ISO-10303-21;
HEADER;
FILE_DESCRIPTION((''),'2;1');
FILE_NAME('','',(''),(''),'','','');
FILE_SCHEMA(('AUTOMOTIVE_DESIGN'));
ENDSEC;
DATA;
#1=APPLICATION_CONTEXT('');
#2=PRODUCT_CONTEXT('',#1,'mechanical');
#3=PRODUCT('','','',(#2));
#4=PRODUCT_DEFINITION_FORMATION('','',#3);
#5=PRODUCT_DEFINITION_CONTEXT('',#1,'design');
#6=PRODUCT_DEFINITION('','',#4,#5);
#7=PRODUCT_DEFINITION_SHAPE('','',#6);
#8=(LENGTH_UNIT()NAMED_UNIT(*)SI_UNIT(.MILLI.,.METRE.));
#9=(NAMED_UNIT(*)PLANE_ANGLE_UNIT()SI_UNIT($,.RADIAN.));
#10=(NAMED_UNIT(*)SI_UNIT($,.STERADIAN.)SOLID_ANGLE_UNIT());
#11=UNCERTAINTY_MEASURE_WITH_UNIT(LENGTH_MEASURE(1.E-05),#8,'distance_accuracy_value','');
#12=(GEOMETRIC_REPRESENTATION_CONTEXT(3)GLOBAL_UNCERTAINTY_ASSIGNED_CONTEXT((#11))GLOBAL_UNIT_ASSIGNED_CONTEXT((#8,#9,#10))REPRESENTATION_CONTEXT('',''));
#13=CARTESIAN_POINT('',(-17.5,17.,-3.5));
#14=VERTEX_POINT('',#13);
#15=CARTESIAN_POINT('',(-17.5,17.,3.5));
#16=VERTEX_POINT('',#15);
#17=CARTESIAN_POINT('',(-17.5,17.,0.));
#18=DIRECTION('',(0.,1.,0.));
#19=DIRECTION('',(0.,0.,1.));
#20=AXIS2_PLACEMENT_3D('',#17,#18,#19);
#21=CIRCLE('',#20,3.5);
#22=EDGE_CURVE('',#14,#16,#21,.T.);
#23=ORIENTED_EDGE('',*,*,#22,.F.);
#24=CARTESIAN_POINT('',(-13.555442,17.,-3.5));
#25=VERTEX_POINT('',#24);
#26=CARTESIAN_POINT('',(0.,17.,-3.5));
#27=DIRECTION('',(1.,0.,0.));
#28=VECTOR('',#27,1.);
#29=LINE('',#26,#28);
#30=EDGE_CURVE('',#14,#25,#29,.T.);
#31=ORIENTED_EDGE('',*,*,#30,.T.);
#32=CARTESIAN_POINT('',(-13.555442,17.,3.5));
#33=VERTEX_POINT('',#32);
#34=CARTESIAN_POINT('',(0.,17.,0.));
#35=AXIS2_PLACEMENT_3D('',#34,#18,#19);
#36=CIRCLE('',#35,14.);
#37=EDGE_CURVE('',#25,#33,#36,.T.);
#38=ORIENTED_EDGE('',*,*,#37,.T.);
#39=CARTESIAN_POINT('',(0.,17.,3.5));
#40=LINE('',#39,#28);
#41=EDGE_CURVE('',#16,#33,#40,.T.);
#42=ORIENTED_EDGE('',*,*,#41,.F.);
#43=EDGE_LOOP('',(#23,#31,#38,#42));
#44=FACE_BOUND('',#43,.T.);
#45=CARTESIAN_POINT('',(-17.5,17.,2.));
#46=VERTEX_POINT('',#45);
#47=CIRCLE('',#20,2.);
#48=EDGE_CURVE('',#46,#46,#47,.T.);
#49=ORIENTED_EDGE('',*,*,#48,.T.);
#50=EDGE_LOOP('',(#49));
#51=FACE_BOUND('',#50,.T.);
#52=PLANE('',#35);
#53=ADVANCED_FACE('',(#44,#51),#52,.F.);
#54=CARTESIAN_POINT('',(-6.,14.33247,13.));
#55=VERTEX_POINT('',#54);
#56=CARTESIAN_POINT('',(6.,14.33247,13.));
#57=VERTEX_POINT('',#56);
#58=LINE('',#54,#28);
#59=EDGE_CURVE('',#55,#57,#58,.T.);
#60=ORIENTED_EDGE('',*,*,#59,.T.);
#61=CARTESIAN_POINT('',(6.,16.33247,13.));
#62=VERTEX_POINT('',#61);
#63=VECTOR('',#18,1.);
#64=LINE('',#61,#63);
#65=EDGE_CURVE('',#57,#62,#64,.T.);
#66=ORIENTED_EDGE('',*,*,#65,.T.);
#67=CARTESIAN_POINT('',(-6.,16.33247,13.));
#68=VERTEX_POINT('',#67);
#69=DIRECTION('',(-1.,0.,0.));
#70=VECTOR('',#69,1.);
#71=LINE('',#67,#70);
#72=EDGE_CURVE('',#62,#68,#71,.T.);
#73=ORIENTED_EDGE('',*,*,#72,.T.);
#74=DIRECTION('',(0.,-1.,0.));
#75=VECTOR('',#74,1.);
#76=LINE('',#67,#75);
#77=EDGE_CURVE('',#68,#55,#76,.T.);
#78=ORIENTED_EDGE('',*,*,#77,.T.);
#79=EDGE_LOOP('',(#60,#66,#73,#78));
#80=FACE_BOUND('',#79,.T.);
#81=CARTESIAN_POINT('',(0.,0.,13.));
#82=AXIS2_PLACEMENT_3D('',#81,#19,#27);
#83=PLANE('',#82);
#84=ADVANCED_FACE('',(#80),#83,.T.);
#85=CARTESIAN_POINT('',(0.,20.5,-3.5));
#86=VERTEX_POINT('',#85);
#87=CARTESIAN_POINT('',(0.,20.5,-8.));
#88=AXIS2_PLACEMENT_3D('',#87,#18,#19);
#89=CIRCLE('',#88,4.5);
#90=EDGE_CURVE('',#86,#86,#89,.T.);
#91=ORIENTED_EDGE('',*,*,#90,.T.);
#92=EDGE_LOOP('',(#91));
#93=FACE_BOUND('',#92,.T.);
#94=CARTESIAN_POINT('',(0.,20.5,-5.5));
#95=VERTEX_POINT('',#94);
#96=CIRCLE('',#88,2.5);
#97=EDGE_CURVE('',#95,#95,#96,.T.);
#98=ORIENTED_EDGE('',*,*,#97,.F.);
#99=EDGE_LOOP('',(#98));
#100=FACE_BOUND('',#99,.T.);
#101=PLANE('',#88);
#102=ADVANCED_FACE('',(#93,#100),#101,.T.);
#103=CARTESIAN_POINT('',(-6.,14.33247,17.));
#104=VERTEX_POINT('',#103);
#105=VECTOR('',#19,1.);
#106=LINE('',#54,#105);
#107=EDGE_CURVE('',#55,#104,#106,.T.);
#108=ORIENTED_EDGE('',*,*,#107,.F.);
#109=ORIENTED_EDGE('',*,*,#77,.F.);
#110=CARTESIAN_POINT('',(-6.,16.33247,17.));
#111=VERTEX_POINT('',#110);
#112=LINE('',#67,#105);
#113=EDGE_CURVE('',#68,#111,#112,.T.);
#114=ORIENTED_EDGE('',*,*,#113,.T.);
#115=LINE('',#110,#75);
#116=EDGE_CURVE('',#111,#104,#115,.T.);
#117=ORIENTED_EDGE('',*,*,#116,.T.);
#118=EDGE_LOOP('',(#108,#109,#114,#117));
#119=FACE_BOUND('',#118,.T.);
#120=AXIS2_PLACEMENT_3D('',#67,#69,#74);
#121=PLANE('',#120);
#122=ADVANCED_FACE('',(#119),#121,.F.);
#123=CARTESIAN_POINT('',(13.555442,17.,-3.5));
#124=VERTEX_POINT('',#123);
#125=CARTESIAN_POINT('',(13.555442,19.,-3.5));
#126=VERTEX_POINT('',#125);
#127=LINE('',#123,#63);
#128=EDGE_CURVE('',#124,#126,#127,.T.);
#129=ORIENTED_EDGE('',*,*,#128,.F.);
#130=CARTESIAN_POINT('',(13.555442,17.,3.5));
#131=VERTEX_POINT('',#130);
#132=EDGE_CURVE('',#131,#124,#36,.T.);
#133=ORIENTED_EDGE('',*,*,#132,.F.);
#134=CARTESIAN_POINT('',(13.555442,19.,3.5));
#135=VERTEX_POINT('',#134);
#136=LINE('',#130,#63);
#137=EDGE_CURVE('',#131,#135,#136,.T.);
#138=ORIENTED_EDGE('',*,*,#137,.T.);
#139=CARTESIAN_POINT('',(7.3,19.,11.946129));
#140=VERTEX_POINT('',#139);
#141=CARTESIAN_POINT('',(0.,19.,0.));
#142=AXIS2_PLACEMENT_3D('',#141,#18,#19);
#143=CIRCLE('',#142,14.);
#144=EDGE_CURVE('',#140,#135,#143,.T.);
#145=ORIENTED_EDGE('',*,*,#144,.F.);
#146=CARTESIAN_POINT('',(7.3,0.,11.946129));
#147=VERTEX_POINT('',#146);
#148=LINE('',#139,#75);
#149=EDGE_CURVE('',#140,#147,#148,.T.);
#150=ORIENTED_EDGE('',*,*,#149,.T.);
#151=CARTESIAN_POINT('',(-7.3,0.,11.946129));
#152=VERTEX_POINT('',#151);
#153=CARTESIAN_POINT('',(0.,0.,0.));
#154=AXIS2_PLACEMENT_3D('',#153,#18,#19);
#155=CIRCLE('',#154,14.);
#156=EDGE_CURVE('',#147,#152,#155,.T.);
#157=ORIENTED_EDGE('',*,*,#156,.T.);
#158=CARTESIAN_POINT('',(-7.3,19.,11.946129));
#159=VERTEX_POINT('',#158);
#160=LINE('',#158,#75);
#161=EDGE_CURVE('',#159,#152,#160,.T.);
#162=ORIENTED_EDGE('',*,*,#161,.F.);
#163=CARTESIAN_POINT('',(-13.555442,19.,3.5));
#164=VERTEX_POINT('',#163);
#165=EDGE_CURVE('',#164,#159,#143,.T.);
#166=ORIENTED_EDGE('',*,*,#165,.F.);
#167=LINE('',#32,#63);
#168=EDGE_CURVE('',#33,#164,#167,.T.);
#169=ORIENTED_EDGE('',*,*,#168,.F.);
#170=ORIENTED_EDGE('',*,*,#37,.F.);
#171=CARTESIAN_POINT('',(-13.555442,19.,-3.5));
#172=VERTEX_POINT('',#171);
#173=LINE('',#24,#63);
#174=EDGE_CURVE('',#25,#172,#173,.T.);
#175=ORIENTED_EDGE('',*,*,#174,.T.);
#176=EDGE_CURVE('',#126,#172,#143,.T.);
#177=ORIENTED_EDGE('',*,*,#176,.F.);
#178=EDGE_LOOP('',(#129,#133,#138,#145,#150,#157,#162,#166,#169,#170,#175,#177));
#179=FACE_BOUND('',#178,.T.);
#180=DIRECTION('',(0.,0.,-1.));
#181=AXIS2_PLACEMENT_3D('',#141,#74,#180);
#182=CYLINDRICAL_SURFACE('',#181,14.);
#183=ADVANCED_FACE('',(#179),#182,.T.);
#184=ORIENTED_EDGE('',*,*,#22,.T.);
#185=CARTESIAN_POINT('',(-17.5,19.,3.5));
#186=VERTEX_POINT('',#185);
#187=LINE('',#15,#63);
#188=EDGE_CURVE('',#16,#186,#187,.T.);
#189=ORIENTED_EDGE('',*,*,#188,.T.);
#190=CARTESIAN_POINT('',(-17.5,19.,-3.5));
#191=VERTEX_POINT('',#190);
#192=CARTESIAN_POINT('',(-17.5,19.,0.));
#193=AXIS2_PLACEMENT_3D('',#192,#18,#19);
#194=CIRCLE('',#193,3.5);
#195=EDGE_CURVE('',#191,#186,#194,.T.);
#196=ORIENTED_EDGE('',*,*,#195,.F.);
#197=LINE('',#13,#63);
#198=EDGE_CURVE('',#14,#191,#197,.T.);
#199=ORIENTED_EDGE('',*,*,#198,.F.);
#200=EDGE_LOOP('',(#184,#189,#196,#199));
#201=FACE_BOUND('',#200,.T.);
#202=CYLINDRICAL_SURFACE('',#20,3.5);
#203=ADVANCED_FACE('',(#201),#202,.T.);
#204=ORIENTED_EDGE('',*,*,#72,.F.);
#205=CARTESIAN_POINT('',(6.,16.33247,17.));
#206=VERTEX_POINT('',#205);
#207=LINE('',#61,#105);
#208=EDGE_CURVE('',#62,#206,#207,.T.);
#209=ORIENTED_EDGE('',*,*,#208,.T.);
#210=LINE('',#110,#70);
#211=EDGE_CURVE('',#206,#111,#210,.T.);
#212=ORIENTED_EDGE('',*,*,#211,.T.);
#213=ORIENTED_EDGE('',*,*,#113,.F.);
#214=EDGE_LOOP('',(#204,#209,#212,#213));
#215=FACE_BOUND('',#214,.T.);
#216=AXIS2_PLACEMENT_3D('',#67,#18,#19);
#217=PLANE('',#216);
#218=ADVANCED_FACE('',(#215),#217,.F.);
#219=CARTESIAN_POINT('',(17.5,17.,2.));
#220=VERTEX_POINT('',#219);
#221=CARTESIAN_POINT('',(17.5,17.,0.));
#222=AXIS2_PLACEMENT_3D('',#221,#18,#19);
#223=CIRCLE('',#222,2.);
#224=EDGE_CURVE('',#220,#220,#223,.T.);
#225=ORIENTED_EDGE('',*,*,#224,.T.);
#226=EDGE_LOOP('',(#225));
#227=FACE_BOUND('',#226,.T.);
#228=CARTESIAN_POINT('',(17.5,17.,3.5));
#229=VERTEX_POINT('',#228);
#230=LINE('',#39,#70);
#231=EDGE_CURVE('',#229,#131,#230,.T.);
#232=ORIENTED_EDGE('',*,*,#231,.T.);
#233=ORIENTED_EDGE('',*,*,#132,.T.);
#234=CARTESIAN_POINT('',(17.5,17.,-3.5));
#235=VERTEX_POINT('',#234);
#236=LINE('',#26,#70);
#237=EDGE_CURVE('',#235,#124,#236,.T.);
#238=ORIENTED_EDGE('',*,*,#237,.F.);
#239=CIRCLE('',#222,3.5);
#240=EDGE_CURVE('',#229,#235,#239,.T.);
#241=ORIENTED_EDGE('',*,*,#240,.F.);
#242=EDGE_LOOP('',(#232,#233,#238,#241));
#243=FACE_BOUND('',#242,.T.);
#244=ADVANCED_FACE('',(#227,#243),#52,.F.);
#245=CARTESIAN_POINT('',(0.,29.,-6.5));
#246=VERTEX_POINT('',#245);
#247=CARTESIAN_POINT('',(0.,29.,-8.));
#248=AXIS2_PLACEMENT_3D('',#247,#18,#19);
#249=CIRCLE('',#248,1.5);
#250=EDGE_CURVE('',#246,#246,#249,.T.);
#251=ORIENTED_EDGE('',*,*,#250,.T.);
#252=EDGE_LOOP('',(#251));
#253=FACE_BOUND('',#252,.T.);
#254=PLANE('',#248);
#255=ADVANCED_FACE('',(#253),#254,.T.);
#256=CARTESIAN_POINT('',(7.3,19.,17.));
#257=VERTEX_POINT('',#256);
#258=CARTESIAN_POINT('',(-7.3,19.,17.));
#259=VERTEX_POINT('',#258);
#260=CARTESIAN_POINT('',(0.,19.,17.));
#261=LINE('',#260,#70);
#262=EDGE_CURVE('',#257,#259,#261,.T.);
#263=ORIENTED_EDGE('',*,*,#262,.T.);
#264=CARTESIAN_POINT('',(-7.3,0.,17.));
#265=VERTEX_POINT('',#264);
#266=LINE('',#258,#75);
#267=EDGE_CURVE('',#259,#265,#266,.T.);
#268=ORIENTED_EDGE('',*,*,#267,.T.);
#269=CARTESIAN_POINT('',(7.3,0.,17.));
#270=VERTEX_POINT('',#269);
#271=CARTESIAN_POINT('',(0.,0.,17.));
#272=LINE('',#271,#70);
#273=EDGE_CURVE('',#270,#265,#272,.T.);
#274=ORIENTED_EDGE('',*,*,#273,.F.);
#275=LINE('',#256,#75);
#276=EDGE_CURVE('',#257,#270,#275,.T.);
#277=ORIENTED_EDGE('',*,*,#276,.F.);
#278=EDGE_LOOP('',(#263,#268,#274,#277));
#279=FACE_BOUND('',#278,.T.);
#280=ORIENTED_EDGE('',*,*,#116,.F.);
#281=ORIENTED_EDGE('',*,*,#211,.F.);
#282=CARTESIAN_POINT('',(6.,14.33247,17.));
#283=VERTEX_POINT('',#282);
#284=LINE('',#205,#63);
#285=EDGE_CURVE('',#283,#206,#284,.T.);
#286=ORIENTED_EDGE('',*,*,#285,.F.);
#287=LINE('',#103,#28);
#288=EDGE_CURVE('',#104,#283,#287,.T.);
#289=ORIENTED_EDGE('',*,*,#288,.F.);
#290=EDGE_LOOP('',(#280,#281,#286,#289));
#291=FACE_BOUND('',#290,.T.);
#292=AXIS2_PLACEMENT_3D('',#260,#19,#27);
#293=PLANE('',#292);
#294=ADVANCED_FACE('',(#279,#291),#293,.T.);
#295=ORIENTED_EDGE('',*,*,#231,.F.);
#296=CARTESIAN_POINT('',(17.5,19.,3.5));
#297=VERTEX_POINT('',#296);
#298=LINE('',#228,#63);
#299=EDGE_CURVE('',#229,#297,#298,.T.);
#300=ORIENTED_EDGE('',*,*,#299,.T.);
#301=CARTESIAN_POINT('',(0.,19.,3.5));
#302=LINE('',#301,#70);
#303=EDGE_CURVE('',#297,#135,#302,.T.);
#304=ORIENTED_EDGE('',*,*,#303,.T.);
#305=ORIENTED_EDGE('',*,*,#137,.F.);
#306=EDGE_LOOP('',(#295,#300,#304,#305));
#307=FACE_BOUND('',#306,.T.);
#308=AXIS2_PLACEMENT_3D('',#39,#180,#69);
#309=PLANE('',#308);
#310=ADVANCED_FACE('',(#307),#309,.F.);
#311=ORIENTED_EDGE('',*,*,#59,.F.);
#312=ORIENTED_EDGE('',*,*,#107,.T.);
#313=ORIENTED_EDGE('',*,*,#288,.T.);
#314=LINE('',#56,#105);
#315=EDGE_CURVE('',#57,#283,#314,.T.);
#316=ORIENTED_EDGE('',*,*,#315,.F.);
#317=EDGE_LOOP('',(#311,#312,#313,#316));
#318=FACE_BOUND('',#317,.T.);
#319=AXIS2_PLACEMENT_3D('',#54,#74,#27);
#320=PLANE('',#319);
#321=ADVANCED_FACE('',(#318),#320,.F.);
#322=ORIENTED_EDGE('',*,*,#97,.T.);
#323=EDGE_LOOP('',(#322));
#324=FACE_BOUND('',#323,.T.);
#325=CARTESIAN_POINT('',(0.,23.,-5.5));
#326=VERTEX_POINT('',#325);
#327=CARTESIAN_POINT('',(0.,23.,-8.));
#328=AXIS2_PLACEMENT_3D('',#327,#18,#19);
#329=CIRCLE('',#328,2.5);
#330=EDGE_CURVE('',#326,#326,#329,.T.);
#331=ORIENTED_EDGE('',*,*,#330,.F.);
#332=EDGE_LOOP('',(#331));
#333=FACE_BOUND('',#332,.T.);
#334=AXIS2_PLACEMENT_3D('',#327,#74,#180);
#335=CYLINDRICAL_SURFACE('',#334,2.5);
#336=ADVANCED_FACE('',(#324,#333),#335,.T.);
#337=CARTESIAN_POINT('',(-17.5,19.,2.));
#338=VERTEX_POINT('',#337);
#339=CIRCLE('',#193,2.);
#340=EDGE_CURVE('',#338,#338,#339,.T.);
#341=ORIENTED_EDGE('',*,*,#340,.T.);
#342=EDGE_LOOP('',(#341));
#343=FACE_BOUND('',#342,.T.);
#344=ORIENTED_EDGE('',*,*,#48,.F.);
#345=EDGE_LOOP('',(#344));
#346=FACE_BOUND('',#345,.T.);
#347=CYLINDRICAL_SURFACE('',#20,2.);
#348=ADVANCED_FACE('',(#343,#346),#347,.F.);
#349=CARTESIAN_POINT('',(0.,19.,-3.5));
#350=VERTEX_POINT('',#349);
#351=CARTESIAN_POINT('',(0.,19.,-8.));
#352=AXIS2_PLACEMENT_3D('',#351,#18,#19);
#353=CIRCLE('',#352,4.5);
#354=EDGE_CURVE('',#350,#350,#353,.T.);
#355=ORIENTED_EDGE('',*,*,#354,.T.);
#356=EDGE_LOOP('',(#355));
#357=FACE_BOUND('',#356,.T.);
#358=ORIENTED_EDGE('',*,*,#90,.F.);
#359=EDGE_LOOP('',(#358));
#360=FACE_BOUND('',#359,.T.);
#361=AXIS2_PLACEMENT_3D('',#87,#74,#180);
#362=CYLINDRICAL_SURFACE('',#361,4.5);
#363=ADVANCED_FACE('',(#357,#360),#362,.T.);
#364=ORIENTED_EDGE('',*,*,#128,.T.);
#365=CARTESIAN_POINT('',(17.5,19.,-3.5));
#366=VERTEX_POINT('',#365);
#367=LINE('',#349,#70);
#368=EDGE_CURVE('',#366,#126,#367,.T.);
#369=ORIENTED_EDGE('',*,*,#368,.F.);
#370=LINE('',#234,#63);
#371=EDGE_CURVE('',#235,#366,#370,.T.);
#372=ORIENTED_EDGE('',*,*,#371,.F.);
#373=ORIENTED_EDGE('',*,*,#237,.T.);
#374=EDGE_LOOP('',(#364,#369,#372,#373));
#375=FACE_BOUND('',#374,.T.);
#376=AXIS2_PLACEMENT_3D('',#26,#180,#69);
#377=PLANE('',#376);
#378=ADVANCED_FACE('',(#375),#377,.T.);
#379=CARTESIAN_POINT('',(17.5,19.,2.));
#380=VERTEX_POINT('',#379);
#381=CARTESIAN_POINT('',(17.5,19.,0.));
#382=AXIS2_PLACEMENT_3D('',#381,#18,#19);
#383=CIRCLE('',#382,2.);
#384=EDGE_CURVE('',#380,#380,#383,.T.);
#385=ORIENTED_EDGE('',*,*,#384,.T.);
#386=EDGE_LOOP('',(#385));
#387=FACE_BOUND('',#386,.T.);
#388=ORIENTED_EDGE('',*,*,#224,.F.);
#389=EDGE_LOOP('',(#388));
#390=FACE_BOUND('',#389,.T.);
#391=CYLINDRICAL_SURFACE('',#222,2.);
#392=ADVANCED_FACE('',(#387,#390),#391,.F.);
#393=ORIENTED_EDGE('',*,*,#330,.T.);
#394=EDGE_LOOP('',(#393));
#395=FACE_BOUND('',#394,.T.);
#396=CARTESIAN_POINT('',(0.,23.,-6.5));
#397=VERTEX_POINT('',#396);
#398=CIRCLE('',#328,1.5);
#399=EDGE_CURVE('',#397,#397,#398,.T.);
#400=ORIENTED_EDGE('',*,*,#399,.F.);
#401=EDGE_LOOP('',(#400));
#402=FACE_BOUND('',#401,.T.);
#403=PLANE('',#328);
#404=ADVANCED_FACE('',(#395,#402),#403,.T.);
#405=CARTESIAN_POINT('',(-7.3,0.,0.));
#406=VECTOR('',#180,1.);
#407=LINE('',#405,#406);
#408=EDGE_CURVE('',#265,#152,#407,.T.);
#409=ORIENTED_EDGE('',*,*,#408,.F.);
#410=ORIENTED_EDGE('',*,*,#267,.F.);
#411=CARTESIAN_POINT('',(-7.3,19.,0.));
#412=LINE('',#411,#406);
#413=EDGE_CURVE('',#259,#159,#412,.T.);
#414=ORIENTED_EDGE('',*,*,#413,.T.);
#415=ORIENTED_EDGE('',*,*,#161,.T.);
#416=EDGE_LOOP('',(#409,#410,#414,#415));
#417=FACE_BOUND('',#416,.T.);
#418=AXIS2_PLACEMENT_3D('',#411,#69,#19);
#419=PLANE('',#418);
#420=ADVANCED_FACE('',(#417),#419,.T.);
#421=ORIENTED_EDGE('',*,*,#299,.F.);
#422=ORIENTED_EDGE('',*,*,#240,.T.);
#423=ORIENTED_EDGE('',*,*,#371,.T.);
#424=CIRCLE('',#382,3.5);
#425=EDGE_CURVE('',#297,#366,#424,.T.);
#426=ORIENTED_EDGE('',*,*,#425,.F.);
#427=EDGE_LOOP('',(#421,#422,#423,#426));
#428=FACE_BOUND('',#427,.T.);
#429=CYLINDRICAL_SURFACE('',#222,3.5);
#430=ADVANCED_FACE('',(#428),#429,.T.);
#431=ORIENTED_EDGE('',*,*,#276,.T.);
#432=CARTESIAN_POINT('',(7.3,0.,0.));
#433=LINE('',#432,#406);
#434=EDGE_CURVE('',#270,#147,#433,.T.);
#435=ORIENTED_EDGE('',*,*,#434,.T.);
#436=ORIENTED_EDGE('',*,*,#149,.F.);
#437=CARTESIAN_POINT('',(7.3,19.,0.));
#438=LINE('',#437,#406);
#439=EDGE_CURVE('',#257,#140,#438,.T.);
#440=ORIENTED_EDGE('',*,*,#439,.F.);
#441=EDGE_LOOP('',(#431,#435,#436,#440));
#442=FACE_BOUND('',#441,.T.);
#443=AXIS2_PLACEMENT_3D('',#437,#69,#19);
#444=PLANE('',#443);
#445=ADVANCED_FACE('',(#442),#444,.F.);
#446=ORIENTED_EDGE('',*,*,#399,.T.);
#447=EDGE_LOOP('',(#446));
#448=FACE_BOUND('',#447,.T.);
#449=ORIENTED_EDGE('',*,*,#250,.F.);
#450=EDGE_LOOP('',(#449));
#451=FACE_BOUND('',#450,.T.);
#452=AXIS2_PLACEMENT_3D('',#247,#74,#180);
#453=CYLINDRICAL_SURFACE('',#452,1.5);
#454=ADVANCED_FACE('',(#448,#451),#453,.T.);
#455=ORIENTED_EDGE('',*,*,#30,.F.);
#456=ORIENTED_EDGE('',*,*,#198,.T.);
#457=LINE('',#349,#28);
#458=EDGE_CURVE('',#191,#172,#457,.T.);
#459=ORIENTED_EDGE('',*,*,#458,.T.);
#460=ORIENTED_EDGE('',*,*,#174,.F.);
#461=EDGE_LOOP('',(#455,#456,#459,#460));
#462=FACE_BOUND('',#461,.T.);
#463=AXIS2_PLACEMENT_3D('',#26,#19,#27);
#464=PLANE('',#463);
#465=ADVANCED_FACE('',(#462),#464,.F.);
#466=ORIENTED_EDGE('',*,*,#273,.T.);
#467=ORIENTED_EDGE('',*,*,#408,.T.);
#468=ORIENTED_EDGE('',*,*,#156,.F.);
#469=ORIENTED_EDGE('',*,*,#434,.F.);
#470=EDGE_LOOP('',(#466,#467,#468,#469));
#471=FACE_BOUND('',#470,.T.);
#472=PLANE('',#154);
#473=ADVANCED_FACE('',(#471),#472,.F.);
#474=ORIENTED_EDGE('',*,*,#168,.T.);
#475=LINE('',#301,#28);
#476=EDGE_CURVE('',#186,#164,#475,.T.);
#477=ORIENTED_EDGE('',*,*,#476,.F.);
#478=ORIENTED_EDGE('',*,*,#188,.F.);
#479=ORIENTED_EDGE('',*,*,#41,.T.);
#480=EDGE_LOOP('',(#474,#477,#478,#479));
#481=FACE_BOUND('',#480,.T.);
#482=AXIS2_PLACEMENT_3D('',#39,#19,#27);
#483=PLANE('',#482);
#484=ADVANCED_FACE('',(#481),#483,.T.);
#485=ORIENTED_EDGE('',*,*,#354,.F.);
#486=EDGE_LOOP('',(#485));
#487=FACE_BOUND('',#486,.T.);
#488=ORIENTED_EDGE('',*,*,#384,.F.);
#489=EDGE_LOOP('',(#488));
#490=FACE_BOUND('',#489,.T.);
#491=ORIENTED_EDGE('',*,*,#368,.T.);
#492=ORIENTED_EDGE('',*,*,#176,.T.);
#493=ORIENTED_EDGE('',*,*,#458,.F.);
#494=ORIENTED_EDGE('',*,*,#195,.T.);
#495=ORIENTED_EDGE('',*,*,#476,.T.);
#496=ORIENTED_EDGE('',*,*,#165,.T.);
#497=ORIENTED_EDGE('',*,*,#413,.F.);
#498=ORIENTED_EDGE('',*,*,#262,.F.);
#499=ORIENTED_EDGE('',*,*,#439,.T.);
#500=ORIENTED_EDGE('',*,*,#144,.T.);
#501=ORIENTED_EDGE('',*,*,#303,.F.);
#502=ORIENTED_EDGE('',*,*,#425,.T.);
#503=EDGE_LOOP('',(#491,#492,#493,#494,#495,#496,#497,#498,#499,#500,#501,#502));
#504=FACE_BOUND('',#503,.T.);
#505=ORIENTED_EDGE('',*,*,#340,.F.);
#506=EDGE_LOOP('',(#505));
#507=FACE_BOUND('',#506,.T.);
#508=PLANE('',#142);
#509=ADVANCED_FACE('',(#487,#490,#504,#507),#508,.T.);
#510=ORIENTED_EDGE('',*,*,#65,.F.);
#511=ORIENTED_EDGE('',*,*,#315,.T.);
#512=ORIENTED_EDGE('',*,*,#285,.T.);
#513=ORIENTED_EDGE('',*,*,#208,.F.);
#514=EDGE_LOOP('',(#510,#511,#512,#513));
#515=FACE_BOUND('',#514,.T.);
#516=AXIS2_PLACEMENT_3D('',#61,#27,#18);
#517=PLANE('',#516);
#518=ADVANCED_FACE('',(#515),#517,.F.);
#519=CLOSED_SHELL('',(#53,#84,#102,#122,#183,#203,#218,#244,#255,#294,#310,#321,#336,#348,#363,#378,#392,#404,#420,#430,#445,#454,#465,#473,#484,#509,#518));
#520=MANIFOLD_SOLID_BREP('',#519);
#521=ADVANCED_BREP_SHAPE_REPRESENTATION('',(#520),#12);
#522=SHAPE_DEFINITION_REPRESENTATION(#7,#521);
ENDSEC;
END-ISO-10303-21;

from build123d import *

# Parameters (mm, degrees)
SKETCH1_R           = 14
BOSS_EXTRUDE1_DEPTH = 19
BOSS_EXTRUDE2_START = -2
SKETCH4_R           = 2
BOSS_EXTRUDE2_DEPTH = 2
SKETCH5_R           = 4.5
BOSS_EXTRUDE3_DEPTH = 1.5
SKETCH6_R           = 2.5
BOSS_EXTRUDE4_DEPTH = 2.5
SKETCH7_R           = 1.5
BOSS_EXTRUDE5_DEPTH = 6
SKETCH8_W           = 12
SKETCH8_H           = 2
CUT_EXTRUDE1_DEPTH  = 4


with BuildPart() as part:
    # Sketch1 → Boss-Extrude1 (new body)
    with BuildSketch(Plane(origin=(0, 0, 0), x_dir=(1, 0, 0), z_dir=(0, 1, 0))):
        Circle(SKETCH1_R)
        with BuildLine():
            Line((-7.3, -11.94612908), (-7.3, -17))
            Line((-7.3, -17), (0, -17))
            Line((0, -17), (7.3, -17))
            Line((7.3, -17), (7.3, -11.94612908))
            ThreePointArc((7.3, -11.94612908), (0, -14), (-7.3, -11.94612908))
        make_face()
    extrude(amount=BOSS_EXTRUDE1_DEPTH)

    # Sketch4 → Boss-Extrude2 (add)
    # profile 1 of 2: a face of its own
    with BuildSketch(Plane(origin=(0, 19, 0), x_dir=(1, 0, 0), z_dir=(0, 1, 0)).offset(BOSS_EXTRUDE2_START)):
        with BuildLine():
            ThreePointArc((-17.5, 3.5), (-21, 0), (-17.5, -3.5))
            Line((-17.5, -3.5), (-13.555441712, -3.5))
            ThreePointArc((-13.555441712, -3.5), (-14, 0), (-13.555441712, 3.5))
            Line((-13.555441712, 3.5), (-17.5, 3.5))
        make_face()
        with Locations(Location((-17.5, 0, 0), (0, 0, 270))):
            Circle(SKETCH4_R, mode=Mode.SUBTRACT)
    # profile 2 of 2: a face of its own
    with BuildSketch(Plane(origin=(0, 19, 0), x_dir=(1, 0, 0), z_dir=(0, 1, 0)).offset(BOSS_EXTRUDE2_START)):
        with BuildLine():
            Line((17.5, 3.5), (13.555441712, 3.5))
            ThreePointArc((13.555441712, 3.5), (14, 0), (13.555441712, -3.5))
            Line((13.555441712, -3.5), (17.5, -3.5))
            ThreePointArc((17.5, -3.5), (21, 0), (17.5, 3.5))
        make_face()
        with Locations(Location((17.5, 0, 0), (0, 0, 270))):
            Circle(SKETCH4_R, mode=Mode.SUBTRACT)
    extrude(amount=BOSS_EXTRUDE2_DEPTH)

    # Sketch5 → Boss-Extrude3 (add)
    with BuildSketch(Plane(origin=(0, 19, 0), x_dir=(1, 0, 0), z_dir=(0, 1, 0))):
        with Locations(Location((0, 8, 0), (0, 0, 270))):
            Circle(SKETCH5_R)
    extrude(amount=BOSS_EXTRUDE3_DEPTH)

    # Sketch6 → Boss-Extrude4 (add)
    with BuildSketch(Plane(origin=(0, 20.5, 0), x_dir=(1, 0, 0), z_dir=(0, 1, 0))):
        with Locations(Location((0, 8, 0), (0, 0, 270))):
            Circle(SKETCH6_R)
    extrude(amount=BOSS_EXTRUDE4_DEPTH)

    # Sketch7 → Boss-Extrude5 (add)
    with BuildSketch(Plane(origin=(0, 23, 0), x_dir=(1, 0, 0), z_dir=(0, 1, 0))):
        with Locations(Location((0, 8, 0), (0, 0, 270))):
            Circle(SKETCH7_R)
    extrude(amount=BOSS_EXTRUDE5_DEPTH)

    # Sketch8 → Cut-Extrude1 (cut)
    with BuildSketch(Plane.XY.offset(17)):
        with Locations((0, 15.332469826)):
            Rectangle(SKETCH8_W, SKETCH8_H)
    extrude(amount=-CUT_EXTRUDE1_DEPTH, mode=Mode.SUBTRACT)


solid = part.part
